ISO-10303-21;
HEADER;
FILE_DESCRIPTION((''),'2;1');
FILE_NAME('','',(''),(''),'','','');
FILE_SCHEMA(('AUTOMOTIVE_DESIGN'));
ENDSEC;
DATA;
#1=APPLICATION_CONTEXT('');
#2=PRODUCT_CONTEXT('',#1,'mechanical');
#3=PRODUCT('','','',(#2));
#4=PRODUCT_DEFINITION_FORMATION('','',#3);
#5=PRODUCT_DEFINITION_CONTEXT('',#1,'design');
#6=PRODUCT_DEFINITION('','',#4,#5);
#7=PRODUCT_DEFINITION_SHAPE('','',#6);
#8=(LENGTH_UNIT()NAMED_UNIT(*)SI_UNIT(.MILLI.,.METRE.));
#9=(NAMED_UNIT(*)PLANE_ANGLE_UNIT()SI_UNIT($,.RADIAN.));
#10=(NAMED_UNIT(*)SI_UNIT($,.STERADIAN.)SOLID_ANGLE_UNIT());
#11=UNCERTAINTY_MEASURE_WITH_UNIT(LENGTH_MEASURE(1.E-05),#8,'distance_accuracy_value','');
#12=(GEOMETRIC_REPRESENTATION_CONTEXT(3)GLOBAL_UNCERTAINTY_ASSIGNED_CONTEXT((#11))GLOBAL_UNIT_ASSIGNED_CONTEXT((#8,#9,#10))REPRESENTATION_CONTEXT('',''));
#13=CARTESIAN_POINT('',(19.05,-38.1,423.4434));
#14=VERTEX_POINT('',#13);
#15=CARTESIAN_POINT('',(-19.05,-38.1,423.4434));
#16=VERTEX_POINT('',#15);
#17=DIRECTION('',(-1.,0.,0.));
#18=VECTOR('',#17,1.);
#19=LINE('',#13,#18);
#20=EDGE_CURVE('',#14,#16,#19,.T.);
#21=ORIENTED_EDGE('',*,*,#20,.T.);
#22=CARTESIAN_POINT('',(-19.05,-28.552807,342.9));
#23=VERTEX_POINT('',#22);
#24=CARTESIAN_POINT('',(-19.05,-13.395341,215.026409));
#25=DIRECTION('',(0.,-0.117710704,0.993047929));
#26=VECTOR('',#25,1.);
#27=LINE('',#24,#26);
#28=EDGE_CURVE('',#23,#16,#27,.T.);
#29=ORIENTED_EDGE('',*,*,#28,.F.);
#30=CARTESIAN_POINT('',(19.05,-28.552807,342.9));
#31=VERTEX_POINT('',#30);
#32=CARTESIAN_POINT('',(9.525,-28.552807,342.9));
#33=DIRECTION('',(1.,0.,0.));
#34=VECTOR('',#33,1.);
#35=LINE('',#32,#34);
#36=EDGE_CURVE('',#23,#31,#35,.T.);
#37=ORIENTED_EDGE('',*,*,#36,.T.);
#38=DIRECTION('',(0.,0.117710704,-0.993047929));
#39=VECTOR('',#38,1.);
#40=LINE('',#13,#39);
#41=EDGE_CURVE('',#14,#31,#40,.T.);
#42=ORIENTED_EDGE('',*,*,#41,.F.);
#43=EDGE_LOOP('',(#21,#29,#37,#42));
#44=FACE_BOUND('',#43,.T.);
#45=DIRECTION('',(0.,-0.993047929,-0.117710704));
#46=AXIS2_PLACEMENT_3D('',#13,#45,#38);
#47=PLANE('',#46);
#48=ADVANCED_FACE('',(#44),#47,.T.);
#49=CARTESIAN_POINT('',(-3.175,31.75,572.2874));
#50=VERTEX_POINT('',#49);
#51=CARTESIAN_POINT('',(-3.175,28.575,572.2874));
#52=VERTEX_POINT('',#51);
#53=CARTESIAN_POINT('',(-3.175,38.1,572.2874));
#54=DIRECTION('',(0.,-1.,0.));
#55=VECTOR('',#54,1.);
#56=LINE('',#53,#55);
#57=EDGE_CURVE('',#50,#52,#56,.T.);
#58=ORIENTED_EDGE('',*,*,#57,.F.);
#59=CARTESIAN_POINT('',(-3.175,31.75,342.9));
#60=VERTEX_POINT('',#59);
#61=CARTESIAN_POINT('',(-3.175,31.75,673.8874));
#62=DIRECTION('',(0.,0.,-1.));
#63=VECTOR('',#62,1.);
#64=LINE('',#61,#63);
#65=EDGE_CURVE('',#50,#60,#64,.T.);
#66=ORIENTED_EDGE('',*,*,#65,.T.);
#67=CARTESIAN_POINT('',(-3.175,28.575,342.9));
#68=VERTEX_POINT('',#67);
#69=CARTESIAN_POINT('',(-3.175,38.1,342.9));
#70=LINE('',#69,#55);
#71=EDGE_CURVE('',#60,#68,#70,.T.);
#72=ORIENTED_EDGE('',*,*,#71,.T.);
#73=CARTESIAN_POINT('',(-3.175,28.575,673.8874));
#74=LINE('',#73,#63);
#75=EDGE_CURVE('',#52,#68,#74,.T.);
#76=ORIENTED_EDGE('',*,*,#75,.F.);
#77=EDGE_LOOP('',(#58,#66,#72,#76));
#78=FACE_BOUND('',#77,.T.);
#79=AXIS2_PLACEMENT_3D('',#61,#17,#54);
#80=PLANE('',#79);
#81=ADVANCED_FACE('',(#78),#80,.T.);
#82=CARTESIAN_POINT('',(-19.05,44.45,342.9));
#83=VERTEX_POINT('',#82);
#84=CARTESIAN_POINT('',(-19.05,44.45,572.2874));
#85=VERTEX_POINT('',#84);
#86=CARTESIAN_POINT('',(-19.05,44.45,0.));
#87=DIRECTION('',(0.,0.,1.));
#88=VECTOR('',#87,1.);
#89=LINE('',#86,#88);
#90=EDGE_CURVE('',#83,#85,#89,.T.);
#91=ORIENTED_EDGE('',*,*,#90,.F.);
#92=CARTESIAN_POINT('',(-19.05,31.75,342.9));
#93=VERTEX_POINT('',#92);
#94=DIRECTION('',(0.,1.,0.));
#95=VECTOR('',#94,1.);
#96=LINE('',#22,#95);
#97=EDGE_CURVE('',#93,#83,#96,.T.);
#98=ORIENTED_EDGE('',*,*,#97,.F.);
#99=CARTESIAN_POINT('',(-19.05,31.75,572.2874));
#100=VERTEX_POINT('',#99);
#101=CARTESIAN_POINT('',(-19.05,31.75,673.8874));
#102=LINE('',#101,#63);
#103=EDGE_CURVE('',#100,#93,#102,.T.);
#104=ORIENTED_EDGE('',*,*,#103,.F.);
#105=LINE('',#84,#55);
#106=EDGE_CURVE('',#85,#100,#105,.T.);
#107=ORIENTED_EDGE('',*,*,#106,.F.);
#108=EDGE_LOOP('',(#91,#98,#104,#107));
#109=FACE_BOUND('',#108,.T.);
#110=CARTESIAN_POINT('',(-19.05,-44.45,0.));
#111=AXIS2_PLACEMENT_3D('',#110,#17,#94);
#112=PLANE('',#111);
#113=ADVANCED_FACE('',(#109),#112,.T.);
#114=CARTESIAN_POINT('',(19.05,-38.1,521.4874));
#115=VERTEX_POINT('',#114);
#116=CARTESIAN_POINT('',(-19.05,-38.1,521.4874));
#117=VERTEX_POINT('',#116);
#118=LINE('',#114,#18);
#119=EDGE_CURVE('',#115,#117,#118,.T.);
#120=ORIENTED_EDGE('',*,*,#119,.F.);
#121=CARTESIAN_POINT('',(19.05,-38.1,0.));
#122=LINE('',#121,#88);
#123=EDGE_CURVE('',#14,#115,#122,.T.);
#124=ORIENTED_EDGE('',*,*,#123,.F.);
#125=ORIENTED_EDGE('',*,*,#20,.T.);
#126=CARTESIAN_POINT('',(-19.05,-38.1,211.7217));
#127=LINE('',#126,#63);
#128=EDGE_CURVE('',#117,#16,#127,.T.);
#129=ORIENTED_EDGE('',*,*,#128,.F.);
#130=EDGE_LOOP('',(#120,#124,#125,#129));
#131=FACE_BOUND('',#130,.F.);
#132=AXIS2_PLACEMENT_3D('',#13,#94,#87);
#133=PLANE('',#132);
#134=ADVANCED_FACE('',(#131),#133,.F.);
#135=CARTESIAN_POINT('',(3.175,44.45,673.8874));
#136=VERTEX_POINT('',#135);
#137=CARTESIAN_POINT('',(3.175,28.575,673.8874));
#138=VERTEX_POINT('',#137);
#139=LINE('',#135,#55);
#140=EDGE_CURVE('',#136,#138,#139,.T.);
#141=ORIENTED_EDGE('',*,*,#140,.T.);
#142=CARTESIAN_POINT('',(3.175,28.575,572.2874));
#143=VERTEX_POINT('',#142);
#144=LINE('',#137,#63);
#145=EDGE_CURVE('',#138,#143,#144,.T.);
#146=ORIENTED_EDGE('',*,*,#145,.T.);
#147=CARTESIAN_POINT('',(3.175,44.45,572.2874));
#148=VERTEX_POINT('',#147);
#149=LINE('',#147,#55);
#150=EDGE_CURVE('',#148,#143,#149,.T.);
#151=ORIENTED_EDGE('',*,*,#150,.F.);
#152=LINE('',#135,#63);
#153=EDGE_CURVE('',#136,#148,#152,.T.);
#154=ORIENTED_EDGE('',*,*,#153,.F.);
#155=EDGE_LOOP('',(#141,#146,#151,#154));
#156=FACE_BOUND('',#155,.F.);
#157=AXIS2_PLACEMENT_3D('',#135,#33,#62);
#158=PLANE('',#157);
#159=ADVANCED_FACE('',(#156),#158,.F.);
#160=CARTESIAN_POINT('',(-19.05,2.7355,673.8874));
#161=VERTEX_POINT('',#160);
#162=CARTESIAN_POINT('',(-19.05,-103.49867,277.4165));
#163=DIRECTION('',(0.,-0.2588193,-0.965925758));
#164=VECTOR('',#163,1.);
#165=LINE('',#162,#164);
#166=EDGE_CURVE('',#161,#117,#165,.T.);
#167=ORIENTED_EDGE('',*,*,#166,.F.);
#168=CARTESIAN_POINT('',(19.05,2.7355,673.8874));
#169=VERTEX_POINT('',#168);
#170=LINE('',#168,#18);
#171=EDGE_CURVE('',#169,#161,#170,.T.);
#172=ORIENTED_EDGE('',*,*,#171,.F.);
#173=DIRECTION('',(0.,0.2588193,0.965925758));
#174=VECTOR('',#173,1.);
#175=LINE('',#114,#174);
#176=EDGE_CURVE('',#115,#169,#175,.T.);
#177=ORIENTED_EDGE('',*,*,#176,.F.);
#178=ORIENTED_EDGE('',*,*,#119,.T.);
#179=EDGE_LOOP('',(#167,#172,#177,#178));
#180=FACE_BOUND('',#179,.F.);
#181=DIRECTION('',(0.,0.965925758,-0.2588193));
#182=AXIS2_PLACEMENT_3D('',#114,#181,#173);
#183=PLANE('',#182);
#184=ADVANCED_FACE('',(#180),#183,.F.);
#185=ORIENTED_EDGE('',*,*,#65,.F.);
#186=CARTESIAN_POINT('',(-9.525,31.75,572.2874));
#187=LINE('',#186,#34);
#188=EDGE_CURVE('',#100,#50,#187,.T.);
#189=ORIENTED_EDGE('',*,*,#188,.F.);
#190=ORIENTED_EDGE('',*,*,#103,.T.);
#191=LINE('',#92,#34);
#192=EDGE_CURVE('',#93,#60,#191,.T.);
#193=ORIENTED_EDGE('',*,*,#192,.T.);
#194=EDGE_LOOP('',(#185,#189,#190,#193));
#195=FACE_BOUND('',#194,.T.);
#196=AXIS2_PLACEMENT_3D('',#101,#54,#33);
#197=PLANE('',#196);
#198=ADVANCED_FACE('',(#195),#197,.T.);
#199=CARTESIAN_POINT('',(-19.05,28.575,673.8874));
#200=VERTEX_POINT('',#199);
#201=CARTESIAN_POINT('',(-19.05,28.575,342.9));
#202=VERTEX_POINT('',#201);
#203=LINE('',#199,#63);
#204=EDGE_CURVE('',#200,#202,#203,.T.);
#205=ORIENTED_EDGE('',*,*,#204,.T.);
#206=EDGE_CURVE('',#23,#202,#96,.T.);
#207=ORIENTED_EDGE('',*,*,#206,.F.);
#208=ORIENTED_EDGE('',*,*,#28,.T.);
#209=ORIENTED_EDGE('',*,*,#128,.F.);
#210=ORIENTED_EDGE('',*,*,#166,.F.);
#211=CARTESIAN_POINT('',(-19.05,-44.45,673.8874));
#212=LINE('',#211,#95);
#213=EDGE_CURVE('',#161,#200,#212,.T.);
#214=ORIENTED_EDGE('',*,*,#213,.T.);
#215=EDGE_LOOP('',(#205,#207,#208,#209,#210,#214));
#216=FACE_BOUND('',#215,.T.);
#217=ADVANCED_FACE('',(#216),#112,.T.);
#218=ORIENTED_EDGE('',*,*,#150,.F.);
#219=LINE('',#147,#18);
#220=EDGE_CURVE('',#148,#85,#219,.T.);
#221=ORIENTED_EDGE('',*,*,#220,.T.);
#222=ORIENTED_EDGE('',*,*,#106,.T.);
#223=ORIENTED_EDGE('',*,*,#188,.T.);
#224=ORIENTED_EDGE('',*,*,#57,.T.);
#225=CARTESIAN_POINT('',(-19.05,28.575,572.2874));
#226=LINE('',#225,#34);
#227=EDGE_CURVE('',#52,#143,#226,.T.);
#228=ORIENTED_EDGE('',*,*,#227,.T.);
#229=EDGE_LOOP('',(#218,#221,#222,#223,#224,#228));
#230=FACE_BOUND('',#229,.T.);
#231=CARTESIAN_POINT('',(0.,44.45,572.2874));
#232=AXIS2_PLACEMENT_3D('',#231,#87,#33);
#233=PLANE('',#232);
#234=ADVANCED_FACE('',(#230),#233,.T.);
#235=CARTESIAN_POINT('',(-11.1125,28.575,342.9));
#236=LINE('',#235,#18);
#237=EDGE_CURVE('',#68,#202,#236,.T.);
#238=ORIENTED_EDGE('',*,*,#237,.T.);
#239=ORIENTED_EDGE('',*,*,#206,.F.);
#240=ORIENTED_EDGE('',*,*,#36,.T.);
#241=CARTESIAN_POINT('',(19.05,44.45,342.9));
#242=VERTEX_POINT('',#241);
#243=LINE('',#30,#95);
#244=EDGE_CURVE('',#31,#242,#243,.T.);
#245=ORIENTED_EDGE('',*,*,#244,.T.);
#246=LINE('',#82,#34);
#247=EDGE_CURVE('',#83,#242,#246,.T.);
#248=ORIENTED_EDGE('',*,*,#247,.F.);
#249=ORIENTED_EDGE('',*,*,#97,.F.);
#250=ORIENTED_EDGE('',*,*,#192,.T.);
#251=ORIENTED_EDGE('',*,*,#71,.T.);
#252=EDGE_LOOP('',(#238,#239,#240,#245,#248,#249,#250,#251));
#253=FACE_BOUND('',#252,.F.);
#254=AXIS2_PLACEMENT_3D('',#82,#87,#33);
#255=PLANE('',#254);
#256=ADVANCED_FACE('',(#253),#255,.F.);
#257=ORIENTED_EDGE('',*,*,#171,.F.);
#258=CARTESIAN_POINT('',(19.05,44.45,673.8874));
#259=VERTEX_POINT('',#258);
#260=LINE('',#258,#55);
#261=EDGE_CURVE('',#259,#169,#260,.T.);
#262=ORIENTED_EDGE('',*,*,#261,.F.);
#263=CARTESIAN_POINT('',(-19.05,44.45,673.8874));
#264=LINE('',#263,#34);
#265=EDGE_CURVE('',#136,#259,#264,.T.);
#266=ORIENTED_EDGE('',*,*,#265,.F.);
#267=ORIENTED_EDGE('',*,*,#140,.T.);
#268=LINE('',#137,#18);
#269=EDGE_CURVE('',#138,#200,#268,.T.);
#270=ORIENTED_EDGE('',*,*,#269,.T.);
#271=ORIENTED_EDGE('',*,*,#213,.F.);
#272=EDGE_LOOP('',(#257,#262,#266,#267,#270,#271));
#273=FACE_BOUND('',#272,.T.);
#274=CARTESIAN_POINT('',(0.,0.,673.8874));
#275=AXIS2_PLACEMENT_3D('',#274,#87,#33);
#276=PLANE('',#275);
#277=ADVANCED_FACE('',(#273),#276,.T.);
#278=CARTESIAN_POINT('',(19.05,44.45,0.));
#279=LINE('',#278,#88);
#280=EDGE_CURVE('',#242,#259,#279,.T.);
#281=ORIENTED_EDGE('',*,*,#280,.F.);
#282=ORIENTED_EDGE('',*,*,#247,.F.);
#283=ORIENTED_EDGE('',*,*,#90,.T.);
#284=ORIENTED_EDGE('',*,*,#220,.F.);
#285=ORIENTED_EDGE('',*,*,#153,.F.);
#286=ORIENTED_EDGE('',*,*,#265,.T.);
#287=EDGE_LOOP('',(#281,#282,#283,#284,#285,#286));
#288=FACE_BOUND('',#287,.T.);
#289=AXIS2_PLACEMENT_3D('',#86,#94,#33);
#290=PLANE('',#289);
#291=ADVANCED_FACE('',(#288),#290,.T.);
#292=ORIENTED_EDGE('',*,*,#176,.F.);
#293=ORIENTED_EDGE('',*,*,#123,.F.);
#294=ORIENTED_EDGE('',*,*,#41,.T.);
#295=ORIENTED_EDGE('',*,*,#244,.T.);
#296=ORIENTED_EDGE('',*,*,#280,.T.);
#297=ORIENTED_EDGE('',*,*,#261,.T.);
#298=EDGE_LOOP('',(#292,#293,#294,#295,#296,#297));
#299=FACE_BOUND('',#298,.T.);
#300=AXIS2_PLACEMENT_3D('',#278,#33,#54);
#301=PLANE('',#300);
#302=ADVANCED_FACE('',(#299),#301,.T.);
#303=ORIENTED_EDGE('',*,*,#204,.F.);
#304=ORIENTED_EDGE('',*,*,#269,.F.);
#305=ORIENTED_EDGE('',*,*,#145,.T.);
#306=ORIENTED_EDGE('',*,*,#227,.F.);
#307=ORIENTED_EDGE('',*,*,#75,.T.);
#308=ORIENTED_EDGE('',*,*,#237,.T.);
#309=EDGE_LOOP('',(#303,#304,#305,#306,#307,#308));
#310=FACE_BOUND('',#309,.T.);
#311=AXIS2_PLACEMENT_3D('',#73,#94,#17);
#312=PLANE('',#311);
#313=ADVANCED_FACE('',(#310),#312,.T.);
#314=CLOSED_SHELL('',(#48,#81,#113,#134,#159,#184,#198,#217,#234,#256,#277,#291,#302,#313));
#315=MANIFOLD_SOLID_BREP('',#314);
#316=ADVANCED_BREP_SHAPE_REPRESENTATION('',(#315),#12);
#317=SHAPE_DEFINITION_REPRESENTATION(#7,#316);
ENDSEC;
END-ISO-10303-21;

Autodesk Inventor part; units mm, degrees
ref_plane "YZ Plane" through (0, 0, 0) normal (1, 0, 0) x (0, 1, 0)
ref_plane "XZ Plane" through (0, 0, 0) normal (0, 1, 0) x (-1, 0, 0)
ref_plane "XY Plane" through (0, 0, 0) normal (0, 0, 1) x (1, 0, 0)
sketch "Sketch1" plane through (0, 0, 0) normal (0, 0, 1) x (1, 0, 0)
  line L0 (19.05, -44.45) -> (-19.05, -44.45)
  line L1 (-19.05, -44.45) -> (-19.05, 44.45)
  line L2 (-19.05, 44.45) -> (19.05, 44.45)
  line L3 (19.05, 44.45) -> (19.05, -44.45)
  line L4 (19.05, -44.45) -> (-19.05, 44.45) construction
  line L5 (-19.05, -44.45) -> (19.05, 44.45) construction
  point P0 (0, 0)
  dimension "d0" = 38.1
  dimension "d1" = 88.9
extrude "Extrusion1" add sketch "Sketch1" along normal blind 673.8874
sketch "Sketch2" plane through (0, 0, 673.8874) normal (0, 0, 1) x (1, 0, 0)
  line L0 (19.05, -44.45) -> (19.05, 44.45) projected
  line L1 (19.05, 44.45) -> (-19.05, 44.45) projected
  line L2 (19.05, 31.75) -> (3.175, 31.75)
  line L3 (3.175, 31.75) -> (3.175, 28.575)
  line L4 (3.175, 28.575) -> (19.05, 28.575)
  line L5 (19.05, 28.575) -> (19.05, 31.75)
  line L6 (-19.05, 44.45) -> (-19.05, -44.45) projected
  line L7 (0, 25.0075) -> (0, 34.7359)
  line L8 (-19.05, 31.75) -> (-3.175, 31.75)
  line L9 (-3.175, 31.75) -> (-3.175, 28.575)
  line L10 (-3.175, 28.575) -> (-19.05, 28.575)
  line L11 (-19.05, 28.575) -> (-19.05, 31.75)
  point P0 (0, 0)
  dimension "d4" = 12.7
  dimension "d5" = 3.175
  dimension "d6" = 15.875
sketch "Sketch4" plane through (19.05, -44.45, 673.8874) normal (1, 0, 0) x (0, 0, -1)
  line L0 (0, 0) -> (0, 88.9) projected
  line L1 (673.8874, 0) -> (0, 0) projected
  line L2 (673.8874, 88.9) -> (673.8874, 0) projected
  line L3 (673.8874, 6.35) -> (0, 6.35)
  line L4 (152.4, 6.35) -> (0, 47.1855)
  line L5 (250.444, 6.35) -> (421.8705, 26.67)
  line L6 (421.8705, 26.67) -> (673.8874, 26.67)
  point P0 (673.8874, 73.025)
  point P1 (0, 73.025)
  point P2 (673.8874, 44.45)
  dimension "d15" = 6.35
  dimension "d20" = 152.4
  dimension "d21" = 165
  dimension "d23" = 20.32
  dimension "d24" = 98.044
  dimension "d25" = 173.24
extrude "Extrusion3" cut sketch "Sketch4" against normal blind 152.4
sketch "Sketch5" plane through (-19.05, 44.45, 0) normal (0, 1, 0) x (1, 0, 0)
  line L0 (38.1, -673.8874) -> (15.875, -673.8874)
  line L1 (15.875, -673.8874) -> (15.875, -572.2874)
  line L2 (15.875, -572.2874) -> (38.1, -572.2874)
  line L3 (38.1, -572.2874) -> (38.1, -673.8874)
  line L4 (19.05, -558.0239) -> (19.05, -615.4069)
  line L5 (0, -673.8874) -> (22.225, -673.8874)
  line L6 (22.225, -673.8874) -> (22.225, -572.2874)
  line L7 (22.225, -572.2874) -> (0, -572.2874)
  line L8 (0, -572.2874) -> (0, -673.8874)
  point P0 (19.05, 0)
  dimension "d28" = 22.225
  dimension "d29" = 101.6
extrude "Extrusion4" cut sketch "Sketch5" against normal blind 15.875 contours L0 L1 L2 L6 | L5 L8 L7 L1
sketch "Sketch6" plane through (-19.05, 44.45, 0) normal (0, 1, 0) x (1, 0, 0)
  line L0 (38.1, 0) -> (38.1, -673.8874) projected
  line L1 (0, 0) -> (38.1, 0) projected
  line L2 (38.1, -215.9) -> (0, -215.9)
  line L3 (0, -215.9) -> (0, -342.9)
  line L4 (0, -342.9) -> (38.1, -342.9)
  line L5 (38.1, -342.9) -> (38.1, -215.9)
  point P0 (38.1, -572.2874)
  point P1 (19.05, 0)
  dimension "d32" = 127
  dimension "d33" = 215.9
  dimension "d36" = 38.1
extrude "Extrusion5" cut sketch "Sketch6" against normal blind 15.875
sketch "Sketch7" plane through (0, 0, 0) normal (0, 0, -1) x (-1, 0, 0)
  line L0 (41.2519, 59.9443) -> (-67.5031, 59.9443)
  line L1 (-67.5031, 59.9443) -> (-67.5031, -55.7754)
  line L2 (-67.5031, -55.7754) -> (41.2519, -55.7754)
  line L3 (41.2519, -55.7754) -> (41.2519, 59.9443)
  point P0 (0, 0)
extrude "Extrusion6" cut sketch "Sketch7" against normal blind 342.9
extrude "Extrusion7" cut sketch "Sketch2" against normal blind 508 contours L8 L9 L10 L6
properties part number "FrontSkidRight"
